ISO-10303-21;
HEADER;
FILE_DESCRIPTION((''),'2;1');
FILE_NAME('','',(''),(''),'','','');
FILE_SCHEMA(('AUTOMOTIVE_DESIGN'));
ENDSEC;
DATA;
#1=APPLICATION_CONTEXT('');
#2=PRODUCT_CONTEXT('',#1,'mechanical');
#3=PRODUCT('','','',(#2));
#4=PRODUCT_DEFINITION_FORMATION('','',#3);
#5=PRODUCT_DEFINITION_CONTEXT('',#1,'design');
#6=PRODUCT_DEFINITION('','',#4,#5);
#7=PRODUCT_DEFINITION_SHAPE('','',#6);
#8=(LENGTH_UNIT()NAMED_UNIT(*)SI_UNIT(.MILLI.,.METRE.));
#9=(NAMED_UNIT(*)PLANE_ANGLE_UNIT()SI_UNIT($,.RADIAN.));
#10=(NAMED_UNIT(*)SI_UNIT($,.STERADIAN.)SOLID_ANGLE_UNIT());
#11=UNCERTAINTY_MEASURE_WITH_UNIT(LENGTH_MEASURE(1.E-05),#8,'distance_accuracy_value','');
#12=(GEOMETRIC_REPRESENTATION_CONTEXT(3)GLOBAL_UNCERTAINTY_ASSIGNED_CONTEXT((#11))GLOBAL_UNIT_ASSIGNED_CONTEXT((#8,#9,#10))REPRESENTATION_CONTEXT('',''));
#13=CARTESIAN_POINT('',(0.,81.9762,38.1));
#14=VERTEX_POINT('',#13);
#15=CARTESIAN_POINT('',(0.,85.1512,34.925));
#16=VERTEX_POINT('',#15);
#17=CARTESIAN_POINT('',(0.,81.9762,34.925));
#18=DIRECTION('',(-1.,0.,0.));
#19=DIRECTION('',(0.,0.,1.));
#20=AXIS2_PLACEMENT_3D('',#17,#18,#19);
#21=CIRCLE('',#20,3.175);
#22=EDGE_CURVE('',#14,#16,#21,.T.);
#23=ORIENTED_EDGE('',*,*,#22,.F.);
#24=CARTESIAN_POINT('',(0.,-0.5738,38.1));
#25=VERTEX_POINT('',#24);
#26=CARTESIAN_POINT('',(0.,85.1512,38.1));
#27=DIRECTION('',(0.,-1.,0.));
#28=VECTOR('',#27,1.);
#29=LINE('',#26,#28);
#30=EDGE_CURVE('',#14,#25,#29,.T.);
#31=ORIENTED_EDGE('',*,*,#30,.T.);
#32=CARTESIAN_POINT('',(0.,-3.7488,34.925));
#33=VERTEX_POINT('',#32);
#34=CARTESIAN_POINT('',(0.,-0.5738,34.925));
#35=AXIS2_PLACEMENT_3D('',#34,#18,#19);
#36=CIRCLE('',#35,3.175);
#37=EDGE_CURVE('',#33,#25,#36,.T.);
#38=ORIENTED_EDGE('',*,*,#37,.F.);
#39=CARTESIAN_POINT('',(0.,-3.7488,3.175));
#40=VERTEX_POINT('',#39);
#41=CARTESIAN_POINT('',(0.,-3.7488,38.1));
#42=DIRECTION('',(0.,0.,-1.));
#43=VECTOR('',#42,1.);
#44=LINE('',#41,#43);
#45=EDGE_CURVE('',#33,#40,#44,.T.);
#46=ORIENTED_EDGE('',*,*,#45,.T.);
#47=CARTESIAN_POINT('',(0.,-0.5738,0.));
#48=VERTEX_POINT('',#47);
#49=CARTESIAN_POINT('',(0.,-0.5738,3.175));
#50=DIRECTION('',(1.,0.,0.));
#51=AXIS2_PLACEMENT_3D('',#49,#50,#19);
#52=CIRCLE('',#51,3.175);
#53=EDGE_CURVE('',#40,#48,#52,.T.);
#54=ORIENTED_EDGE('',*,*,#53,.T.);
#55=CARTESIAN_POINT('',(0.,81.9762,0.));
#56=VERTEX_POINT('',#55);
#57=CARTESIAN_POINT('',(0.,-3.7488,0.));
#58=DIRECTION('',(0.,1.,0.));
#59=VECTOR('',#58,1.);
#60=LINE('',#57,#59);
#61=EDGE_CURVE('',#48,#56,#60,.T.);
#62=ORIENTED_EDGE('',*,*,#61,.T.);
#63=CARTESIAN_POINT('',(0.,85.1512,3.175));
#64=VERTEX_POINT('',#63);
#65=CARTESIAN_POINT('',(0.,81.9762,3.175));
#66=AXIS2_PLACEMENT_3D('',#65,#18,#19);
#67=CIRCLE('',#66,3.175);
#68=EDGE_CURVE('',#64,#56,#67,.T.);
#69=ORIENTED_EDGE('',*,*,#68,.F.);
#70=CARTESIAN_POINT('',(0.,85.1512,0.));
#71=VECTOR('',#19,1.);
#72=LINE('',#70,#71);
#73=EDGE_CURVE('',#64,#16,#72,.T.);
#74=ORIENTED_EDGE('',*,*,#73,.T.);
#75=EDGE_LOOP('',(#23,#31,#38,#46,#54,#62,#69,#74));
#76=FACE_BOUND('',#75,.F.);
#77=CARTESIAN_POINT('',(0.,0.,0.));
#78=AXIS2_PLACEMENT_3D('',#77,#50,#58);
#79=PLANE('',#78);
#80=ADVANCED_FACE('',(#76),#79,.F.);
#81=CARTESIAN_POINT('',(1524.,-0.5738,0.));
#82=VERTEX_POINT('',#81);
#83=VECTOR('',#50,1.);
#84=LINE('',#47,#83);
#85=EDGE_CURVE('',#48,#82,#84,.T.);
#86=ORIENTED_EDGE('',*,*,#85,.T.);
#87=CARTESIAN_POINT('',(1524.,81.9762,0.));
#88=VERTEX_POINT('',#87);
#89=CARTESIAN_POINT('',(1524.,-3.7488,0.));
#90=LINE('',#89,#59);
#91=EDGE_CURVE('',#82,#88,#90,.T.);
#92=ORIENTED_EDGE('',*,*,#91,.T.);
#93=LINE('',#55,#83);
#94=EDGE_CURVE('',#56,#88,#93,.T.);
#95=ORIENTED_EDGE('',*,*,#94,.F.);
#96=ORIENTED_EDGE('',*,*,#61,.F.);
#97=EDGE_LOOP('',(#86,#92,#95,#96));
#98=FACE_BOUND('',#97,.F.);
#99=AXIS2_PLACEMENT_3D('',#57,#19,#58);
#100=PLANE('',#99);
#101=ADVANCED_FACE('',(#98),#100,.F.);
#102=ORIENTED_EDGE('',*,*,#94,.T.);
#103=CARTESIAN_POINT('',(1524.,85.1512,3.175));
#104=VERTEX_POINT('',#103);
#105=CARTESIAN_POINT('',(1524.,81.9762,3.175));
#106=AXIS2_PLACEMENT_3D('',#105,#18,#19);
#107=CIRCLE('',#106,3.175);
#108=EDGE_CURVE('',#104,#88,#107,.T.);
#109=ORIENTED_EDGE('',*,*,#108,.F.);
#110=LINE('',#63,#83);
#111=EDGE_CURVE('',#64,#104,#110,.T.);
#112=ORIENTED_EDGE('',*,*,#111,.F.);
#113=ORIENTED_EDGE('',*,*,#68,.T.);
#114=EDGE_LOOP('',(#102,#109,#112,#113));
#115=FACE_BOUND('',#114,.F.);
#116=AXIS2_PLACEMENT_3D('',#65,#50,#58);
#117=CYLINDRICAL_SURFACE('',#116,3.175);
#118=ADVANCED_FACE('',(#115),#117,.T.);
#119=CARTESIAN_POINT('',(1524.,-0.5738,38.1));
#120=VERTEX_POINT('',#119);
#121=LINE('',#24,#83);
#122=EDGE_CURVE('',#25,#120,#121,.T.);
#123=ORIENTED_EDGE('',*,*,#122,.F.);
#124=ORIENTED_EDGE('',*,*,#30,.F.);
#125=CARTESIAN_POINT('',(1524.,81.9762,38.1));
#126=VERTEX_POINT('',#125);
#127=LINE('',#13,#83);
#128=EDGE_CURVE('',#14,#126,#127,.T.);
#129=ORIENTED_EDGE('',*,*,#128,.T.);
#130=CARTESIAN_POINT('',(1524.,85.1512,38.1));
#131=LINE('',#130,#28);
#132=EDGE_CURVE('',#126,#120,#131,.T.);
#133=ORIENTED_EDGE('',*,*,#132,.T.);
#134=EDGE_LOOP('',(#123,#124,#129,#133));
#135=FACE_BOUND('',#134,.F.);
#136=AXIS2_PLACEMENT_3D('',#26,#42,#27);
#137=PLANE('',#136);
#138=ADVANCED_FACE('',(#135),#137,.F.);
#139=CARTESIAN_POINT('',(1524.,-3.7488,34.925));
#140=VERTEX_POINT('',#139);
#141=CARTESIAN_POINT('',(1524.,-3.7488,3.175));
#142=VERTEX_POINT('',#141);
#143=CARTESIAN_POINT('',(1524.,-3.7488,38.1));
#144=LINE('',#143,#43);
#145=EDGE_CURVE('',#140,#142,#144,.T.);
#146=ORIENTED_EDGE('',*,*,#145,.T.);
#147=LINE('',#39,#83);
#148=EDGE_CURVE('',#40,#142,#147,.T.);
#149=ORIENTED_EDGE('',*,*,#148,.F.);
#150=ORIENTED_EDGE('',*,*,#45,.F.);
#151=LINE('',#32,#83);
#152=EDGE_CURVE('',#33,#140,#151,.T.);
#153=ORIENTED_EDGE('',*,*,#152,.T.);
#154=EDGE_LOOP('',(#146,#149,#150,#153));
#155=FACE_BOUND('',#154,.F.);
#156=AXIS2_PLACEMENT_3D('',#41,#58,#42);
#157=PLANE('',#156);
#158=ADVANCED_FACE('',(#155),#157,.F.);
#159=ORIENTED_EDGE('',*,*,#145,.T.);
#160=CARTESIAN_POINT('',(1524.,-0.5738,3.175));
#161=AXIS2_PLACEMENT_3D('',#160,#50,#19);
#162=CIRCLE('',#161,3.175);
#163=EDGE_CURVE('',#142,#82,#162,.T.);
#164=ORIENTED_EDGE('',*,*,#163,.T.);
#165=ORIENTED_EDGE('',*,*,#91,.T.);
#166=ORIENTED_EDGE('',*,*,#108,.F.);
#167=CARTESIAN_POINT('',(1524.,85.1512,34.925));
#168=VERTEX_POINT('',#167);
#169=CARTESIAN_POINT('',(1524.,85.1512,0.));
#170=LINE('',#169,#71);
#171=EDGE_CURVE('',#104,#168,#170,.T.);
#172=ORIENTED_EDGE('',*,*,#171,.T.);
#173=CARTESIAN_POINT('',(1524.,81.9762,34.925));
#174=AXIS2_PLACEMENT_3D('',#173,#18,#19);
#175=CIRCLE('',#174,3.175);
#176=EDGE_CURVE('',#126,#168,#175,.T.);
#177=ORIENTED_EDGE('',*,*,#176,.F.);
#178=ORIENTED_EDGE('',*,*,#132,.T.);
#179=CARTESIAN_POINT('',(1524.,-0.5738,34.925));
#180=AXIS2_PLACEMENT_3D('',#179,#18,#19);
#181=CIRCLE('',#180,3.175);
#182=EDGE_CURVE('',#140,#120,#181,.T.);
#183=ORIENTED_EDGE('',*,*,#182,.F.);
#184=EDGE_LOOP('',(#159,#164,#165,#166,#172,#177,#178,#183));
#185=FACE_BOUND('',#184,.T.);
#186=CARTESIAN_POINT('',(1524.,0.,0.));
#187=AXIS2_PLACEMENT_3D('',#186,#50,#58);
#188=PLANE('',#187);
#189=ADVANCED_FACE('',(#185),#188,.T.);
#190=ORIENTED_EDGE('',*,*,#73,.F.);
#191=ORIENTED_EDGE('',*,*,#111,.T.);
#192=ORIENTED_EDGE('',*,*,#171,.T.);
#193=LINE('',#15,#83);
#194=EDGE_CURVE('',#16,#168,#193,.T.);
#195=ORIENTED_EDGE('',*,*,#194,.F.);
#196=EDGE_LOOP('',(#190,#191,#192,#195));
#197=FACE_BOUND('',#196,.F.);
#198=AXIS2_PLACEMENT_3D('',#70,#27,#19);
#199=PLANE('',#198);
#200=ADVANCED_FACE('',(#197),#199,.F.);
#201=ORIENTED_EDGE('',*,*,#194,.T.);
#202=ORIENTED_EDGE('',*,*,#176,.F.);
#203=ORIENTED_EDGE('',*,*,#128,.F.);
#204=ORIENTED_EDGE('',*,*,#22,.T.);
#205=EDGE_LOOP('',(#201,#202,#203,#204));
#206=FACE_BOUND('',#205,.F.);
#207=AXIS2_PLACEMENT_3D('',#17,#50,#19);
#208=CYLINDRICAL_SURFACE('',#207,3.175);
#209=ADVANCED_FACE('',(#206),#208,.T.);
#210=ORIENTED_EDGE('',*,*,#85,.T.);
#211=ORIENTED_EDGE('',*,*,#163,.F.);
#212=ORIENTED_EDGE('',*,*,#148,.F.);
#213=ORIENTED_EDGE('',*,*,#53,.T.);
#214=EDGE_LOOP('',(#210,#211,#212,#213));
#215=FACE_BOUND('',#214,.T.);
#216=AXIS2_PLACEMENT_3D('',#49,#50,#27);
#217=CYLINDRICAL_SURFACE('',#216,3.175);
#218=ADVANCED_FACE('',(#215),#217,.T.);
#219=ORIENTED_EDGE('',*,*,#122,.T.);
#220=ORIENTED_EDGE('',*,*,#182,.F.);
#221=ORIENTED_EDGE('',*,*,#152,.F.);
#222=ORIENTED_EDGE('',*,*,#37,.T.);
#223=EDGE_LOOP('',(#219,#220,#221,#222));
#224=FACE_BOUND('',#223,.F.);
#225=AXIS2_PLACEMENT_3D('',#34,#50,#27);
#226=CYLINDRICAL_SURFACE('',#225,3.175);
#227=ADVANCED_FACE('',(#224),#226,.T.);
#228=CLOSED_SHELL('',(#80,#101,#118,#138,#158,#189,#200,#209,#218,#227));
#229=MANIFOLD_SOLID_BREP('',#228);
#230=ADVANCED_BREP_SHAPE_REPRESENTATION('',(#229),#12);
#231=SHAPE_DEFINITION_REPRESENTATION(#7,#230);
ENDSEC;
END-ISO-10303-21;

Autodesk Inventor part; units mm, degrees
ref_plane "YZ Plane" through (0, 0, 0) normal (1, 0, 0) x (0, 1, 0)
ref_plane "XZ Plane" through (0, 0, 0) normal (0, 1, 0) x (-1, 0, 0)
ref_plane "XY Plane" through (0, 0, 0) normal (0, 0, 1) x (1, 0, 0)
sketch "Sketch1" plane through (0, 0, 0) normal (1, 0, 0) x (0, 1, 0)
  line L0 (-3.7488, 0) -> (85.1512, 0)
  line L1 (85.1512, 0) -> (85.1512, 38.1)
  line L2 (85.1512, 38.1) -> (-3.7488, 38.1)
  line L3 (-3.7488, 38.1) -> (-3.7488, 0)
  point P0 (0, 0)
  dimension "d0" = 88.9
  dimension "d1" = 38.1
extrude "Extrusion1" add sketch "Sketch1" along normal blind 1524
fillet "Fillet1" radius 3.175 4 edges at (762, 85.1512, 38.1) (762, 85.1512, 0) (762, -3.7488, 0) (762, -3.7488, 38.1)
properties part number "2x4x60" material "Ash"
